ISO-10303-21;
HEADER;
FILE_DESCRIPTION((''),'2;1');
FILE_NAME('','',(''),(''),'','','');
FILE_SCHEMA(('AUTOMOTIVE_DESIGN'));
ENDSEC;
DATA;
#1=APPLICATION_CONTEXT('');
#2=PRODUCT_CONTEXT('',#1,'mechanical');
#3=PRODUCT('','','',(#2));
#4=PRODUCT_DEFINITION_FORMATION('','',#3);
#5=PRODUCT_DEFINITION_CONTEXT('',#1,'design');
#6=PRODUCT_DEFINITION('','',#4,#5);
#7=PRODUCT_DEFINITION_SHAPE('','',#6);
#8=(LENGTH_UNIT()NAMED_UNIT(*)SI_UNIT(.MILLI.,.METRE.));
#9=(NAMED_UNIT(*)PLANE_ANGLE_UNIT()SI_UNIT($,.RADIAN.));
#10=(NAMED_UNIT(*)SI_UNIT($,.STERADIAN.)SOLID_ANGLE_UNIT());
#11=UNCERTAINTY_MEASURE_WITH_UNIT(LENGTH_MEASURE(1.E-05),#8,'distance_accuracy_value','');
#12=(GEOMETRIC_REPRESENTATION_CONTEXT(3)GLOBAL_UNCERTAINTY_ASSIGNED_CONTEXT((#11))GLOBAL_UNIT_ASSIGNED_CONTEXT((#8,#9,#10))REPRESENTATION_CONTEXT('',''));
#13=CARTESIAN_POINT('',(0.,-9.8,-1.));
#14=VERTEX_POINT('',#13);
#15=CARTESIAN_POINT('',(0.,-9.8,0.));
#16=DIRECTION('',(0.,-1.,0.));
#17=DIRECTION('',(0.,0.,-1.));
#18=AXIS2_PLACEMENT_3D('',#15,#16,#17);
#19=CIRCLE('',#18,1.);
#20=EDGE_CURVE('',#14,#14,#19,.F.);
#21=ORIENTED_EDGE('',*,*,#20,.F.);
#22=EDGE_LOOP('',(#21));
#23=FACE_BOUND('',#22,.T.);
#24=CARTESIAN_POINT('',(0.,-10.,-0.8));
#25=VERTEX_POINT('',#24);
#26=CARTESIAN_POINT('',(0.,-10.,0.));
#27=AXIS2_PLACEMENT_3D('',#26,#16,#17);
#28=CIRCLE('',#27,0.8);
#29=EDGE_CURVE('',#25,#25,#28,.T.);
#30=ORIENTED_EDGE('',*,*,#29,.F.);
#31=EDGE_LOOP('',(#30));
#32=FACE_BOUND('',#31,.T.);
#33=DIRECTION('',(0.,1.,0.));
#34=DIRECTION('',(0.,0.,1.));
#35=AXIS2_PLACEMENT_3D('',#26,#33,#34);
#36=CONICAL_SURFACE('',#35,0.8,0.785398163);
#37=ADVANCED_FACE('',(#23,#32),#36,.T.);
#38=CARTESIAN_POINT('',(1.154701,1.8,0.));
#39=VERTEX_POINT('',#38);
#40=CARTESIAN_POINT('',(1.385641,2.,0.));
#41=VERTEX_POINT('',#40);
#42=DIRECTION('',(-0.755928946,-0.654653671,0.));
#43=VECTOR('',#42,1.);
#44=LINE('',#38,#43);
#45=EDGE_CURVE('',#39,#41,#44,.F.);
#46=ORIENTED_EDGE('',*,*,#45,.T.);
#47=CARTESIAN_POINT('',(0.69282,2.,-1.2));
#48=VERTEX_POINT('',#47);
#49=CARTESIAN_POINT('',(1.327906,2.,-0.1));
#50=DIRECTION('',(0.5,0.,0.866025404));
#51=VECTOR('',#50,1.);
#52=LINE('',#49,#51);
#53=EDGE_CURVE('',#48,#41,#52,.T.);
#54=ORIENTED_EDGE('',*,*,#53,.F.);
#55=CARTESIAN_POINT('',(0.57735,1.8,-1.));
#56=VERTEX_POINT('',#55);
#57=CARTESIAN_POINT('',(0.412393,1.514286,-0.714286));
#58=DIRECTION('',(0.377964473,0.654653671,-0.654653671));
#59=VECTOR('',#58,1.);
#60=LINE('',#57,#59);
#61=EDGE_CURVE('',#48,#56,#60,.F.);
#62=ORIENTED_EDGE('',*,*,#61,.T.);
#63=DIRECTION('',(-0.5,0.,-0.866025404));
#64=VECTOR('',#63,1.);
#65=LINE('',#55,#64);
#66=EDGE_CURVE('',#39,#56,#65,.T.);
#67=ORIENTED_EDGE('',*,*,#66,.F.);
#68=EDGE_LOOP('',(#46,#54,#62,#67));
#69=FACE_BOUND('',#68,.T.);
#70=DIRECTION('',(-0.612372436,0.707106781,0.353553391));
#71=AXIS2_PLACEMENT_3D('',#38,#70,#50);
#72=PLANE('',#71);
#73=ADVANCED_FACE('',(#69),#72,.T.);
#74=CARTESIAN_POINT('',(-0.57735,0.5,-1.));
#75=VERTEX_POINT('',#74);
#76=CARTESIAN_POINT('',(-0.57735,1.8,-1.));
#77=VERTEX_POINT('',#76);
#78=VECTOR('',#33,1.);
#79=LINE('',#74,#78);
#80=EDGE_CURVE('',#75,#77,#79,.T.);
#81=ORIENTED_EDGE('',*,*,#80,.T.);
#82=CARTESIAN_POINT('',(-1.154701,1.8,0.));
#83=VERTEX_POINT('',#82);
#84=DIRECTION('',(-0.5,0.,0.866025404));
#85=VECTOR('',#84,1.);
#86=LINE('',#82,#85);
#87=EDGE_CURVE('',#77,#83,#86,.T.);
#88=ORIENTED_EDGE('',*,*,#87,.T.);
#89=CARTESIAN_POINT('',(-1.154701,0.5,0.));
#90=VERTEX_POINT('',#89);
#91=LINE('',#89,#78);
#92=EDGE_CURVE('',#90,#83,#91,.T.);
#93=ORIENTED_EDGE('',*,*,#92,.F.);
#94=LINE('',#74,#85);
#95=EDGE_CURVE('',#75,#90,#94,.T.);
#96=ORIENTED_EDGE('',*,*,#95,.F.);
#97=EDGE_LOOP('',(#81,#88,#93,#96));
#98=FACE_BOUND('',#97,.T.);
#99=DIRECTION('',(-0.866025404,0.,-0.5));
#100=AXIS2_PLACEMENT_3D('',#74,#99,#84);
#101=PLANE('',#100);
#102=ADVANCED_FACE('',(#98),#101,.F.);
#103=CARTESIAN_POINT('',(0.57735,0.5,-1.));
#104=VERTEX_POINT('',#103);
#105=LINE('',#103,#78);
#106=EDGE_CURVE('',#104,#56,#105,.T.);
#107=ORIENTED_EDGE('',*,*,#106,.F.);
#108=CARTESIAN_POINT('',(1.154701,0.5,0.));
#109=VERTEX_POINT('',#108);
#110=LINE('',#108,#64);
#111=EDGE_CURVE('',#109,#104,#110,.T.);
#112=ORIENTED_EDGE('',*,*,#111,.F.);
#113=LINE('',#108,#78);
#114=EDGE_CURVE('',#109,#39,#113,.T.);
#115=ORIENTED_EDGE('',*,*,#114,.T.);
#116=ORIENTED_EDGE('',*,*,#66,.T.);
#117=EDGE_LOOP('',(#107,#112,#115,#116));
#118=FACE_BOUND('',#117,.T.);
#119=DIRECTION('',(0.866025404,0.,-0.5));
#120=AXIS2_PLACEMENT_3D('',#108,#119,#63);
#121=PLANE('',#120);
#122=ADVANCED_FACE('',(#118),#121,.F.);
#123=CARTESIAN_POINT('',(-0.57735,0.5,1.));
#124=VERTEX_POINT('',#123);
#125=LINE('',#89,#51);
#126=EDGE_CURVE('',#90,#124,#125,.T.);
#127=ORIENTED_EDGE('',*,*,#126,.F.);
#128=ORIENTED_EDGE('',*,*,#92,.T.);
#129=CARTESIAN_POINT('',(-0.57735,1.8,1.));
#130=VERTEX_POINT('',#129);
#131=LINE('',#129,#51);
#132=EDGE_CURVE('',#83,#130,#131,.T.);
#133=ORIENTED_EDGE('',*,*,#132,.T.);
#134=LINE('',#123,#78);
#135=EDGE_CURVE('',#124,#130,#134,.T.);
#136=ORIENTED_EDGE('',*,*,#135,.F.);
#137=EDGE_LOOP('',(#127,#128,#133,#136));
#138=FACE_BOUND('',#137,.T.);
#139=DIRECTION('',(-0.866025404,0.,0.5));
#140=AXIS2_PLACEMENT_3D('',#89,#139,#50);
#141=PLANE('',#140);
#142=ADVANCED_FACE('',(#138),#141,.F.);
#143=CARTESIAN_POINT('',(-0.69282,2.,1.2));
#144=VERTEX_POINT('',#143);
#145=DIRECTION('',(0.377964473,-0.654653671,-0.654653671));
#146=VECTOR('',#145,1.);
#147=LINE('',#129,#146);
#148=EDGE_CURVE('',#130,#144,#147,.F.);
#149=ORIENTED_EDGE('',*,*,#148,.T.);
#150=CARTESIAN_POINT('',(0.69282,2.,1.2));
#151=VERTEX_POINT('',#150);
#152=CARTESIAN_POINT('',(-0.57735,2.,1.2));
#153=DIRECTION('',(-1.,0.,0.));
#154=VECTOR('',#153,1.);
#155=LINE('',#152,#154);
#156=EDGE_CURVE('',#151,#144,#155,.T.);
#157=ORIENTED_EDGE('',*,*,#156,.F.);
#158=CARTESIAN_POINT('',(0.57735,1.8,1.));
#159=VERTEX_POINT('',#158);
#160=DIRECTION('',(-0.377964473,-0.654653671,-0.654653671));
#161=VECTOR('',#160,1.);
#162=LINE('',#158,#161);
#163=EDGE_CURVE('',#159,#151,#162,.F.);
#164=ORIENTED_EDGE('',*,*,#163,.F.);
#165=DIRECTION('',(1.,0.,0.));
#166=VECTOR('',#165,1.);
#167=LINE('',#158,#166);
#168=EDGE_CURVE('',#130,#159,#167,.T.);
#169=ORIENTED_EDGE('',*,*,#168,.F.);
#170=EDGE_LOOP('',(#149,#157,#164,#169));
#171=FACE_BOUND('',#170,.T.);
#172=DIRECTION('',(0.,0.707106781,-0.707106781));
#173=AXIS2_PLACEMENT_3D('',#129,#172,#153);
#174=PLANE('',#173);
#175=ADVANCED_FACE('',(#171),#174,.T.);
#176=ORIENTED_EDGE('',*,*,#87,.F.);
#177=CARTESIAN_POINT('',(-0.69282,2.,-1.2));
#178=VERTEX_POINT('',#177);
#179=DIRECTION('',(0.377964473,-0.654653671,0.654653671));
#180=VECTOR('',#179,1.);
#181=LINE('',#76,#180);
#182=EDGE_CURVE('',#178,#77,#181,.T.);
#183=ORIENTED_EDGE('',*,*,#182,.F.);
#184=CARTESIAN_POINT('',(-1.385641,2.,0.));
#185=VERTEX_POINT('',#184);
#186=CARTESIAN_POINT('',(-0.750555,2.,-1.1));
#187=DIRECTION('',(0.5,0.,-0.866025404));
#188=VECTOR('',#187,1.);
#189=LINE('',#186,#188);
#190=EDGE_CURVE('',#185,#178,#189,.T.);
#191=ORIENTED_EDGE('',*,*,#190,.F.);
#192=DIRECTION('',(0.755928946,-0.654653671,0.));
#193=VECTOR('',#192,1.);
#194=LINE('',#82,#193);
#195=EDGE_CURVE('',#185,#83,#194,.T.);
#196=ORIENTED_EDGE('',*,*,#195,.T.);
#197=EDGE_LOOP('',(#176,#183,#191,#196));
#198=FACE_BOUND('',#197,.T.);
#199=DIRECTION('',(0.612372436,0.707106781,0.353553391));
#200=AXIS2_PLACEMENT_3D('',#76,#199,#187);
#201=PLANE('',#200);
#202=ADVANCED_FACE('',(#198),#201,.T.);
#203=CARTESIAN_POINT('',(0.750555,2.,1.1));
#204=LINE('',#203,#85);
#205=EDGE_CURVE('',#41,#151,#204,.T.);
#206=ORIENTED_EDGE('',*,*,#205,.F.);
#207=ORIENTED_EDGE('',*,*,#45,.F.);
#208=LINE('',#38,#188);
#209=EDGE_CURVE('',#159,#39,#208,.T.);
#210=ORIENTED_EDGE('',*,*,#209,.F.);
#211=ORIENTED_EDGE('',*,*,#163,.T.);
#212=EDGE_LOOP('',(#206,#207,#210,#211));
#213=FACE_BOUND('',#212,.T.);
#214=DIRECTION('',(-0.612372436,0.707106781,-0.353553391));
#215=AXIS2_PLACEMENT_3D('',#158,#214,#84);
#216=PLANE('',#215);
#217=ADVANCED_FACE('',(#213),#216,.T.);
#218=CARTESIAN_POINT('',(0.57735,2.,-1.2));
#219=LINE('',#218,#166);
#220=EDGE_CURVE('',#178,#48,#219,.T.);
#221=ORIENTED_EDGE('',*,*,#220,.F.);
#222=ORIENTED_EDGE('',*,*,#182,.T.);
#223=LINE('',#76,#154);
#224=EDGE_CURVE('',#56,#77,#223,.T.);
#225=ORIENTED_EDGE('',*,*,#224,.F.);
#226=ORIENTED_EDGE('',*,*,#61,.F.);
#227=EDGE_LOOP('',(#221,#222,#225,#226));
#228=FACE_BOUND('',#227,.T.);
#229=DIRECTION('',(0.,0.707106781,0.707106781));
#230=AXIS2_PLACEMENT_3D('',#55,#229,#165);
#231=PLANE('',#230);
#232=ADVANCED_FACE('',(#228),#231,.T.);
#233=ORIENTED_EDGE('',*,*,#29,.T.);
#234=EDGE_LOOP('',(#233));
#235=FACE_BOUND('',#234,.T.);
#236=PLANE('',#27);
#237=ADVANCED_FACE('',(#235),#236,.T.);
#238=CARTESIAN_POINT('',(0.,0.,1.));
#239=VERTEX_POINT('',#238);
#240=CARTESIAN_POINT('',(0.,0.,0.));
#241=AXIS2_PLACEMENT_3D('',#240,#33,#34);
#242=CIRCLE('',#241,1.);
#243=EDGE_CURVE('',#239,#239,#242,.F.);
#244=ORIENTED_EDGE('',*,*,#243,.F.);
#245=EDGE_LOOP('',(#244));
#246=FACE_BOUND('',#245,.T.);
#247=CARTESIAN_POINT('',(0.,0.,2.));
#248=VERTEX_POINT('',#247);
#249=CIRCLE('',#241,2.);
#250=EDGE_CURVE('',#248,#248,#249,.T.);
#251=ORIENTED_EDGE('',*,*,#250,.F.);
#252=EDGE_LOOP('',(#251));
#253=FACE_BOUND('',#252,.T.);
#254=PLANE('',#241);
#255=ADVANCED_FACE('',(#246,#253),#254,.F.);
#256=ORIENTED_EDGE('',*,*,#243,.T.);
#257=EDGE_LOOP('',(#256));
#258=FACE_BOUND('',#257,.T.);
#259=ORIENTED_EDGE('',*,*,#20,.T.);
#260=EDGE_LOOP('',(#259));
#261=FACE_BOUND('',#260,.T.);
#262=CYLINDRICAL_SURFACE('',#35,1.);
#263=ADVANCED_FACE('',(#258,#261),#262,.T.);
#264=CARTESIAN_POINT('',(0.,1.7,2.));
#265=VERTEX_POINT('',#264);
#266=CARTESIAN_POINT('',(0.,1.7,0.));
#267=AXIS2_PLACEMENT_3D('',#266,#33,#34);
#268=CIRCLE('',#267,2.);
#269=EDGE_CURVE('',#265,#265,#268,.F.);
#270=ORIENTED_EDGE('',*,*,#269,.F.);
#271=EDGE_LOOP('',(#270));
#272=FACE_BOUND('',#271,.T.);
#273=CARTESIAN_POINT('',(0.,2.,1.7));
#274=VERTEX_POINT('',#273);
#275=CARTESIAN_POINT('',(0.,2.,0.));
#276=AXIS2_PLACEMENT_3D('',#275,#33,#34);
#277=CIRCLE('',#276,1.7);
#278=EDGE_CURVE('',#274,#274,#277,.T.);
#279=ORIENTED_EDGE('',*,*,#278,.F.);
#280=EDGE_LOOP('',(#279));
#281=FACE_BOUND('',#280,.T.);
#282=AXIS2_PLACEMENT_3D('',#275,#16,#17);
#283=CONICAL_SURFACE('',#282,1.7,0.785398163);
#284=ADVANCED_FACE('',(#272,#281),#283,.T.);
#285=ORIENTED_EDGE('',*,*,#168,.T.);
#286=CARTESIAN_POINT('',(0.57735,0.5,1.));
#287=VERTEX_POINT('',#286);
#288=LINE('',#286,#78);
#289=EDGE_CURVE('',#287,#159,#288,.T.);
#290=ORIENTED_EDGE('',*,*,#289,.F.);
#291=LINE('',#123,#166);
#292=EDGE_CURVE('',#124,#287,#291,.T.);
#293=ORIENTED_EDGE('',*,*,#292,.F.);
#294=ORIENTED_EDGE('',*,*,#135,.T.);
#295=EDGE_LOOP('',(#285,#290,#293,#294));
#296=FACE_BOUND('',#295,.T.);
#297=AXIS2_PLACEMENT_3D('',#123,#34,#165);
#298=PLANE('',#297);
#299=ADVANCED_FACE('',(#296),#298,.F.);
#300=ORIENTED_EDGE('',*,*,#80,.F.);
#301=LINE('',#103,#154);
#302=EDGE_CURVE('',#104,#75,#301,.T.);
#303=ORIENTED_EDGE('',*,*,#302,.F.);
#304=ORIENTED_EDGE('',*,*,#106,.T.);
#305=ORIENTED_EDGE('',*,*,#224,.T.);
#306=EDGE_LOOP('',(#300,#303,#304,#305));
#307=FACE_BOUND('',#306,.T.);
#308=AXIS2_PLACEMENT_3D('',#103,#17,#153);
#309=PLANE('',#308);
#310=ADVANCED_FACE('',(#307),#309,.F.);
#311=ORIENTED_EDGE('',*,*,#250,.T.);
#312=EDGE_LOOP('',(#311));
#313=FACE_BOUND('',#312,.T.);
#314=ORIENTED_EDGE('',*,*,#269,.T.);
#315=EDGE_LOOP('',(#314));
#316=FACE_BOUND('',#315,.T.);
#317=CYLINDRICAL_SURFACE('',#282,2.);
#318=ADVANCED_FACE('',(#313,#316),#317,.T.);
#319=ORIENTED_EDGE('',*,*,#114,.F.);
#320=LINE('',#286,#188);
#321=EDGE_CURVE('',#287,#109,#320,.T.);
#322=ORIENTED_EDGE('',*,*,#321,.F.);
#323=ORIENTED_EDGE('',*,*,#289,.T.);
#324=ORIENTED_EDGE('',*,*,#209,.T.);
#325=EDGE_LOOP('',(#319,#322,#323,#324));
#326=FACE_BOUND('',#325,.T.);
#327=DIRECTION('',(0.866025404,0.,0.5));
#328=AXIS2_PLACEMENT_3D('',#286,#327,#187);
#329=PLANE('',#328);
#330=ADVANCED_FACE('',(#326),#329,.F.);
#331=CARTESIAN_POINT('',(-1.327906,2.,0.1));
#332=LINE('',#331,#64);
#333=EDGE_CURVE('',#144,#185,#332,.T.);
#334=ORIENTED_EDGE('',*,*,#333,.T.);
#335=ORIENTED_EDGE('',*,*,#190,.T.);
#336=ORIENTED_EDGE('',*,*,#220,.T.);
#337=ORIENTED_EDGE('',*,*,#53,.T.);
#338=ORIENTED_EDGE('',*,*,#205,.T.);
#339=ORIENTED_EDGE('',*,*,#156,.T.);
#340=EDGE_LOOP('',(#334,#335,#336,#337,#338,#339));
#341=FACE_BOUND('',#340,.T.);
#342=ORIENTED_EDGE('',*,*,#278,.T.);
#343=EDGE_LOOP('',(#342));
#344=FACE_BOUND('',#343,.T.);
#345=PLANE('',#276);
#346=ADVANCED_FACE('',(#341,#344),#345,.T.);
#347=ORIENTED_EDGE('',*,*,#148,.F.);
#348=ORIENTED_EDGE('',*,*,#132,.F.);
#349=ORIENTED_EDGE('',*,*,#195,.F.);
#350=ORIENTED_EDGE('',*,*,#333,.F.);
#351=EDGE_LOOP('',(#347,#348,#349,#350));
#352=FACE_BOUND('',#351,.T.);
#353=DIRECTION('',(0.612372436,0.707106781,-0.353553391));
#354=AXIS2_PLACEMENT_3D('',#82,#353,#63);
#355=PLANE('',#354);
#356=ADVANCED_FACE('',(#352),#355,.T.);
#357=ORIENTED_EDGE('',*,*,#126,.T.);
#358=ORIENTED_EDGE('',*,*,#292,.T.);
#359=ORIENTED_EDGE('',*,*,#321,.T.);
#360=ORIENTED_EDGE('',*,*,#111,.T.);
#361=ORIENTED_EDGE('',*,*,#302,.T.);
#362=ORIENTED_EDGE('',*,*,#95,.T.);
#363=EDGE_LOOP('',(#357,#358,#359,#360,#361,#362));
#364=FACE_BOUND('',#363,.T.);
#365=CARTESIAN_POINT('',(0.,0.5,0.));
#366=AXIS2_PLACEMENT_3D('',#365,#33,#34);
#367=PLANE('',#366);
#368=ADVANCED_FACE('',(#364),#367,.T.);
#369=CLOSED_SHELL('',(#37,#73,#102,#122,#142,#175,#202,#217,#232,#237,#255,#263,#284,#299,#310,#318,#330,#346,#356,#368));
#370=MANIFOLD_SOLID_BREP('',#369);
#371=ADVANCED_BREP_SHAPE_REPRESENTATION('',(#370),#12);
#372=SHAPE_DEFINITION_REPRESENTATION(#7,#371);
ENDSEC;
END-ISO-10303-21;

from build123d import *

# Parameters (mm, degrees)
SKETCH1_R           = 2
BOSS_EXTRUDE1_DEPTH = 2
CHAMFER1_SIZE       = 0.3
CUT_EXTRUDE1_DEPTH  = 1.5
CHAMFER2_SIZE       = 0.2
SKETCH3_R           = 1
BOSS_EXTRUDE2_DEPTH = 10
CHAMFER3_SIZE       = 0.2


with BuildPart() as part:
    # Sketch1 → Boss-Extrude1 (new body)
    with BuildSketch(Plane(origin=(0, 0, 0), x_dir=(1, 0, 0), z_dir=(0, 1, 0))):
        with Locations(Location((0, 0, 0), (0, 0, 270))):  # turned: the seam where the file's is
            Circle(SKETCH1_R)
    extrude(amount=BOSS_EXTRUDE1_DEPTH)

    # Chamfer1
    chamfer1_edges = [part.edges().sort_by_distance(p)[0] for p in [
        (0, 2, -2),
    ]]
    chamfer(chamfer1_edges, length=CHAMFER1_SIZE)

    # Sketch2 → Cut-Extrude1 (cut)
    with BuildSketch(Plane(origin=(0, 2, 0), x_dir=(1, 0, 0), z_dir=(0, 1, 0))):
        Polygon((1.154700538, 0), (0.577350269, 1), (-0.577350269, 1), (-1.154700538, 0), (-0.577350269, -1), (0.577350269, -1), align=None)
    extrude(amount=-CUT_EXTRUDE1_DEPTH, mode=Mode.SUBTRACT)

    # Chamfer2
    chamfer2_edges = [part.edges().sort_by_distance(p)[0] for p in [
        (0.866025404, 2, 0.5),
        (0.866025404, 2, -0.5),
        (0, 2, -1),
        (-0.866025404, 2, -0.5),
        (-0.866025404, 2, 0.5),
        (0, 2, 1),
    ]]
    chamfer(chamfer2_edges, length=CHAMFER2_SIZE)

    # Sketch3 → Boss-Extrude2 (add)
    with BuildSketch(Plane.XZ):
        with Locations(Location((0, 0, 0), (0, 0, 90))):  # turned: the seam where the file's is
            Circle(SKETCH3_R)
    extrude(amount=BOSS_EXTRUDE2_DEPTH)

    # Chamfer3
    chamfer3_edges = [part.edges().sort_by_distance(p)[0] for p in [
        (0, -10, -1),
    ]]
    chamfer(chamfer3_edges, length=CHAMFER3_SIZE)


solid = part.part
